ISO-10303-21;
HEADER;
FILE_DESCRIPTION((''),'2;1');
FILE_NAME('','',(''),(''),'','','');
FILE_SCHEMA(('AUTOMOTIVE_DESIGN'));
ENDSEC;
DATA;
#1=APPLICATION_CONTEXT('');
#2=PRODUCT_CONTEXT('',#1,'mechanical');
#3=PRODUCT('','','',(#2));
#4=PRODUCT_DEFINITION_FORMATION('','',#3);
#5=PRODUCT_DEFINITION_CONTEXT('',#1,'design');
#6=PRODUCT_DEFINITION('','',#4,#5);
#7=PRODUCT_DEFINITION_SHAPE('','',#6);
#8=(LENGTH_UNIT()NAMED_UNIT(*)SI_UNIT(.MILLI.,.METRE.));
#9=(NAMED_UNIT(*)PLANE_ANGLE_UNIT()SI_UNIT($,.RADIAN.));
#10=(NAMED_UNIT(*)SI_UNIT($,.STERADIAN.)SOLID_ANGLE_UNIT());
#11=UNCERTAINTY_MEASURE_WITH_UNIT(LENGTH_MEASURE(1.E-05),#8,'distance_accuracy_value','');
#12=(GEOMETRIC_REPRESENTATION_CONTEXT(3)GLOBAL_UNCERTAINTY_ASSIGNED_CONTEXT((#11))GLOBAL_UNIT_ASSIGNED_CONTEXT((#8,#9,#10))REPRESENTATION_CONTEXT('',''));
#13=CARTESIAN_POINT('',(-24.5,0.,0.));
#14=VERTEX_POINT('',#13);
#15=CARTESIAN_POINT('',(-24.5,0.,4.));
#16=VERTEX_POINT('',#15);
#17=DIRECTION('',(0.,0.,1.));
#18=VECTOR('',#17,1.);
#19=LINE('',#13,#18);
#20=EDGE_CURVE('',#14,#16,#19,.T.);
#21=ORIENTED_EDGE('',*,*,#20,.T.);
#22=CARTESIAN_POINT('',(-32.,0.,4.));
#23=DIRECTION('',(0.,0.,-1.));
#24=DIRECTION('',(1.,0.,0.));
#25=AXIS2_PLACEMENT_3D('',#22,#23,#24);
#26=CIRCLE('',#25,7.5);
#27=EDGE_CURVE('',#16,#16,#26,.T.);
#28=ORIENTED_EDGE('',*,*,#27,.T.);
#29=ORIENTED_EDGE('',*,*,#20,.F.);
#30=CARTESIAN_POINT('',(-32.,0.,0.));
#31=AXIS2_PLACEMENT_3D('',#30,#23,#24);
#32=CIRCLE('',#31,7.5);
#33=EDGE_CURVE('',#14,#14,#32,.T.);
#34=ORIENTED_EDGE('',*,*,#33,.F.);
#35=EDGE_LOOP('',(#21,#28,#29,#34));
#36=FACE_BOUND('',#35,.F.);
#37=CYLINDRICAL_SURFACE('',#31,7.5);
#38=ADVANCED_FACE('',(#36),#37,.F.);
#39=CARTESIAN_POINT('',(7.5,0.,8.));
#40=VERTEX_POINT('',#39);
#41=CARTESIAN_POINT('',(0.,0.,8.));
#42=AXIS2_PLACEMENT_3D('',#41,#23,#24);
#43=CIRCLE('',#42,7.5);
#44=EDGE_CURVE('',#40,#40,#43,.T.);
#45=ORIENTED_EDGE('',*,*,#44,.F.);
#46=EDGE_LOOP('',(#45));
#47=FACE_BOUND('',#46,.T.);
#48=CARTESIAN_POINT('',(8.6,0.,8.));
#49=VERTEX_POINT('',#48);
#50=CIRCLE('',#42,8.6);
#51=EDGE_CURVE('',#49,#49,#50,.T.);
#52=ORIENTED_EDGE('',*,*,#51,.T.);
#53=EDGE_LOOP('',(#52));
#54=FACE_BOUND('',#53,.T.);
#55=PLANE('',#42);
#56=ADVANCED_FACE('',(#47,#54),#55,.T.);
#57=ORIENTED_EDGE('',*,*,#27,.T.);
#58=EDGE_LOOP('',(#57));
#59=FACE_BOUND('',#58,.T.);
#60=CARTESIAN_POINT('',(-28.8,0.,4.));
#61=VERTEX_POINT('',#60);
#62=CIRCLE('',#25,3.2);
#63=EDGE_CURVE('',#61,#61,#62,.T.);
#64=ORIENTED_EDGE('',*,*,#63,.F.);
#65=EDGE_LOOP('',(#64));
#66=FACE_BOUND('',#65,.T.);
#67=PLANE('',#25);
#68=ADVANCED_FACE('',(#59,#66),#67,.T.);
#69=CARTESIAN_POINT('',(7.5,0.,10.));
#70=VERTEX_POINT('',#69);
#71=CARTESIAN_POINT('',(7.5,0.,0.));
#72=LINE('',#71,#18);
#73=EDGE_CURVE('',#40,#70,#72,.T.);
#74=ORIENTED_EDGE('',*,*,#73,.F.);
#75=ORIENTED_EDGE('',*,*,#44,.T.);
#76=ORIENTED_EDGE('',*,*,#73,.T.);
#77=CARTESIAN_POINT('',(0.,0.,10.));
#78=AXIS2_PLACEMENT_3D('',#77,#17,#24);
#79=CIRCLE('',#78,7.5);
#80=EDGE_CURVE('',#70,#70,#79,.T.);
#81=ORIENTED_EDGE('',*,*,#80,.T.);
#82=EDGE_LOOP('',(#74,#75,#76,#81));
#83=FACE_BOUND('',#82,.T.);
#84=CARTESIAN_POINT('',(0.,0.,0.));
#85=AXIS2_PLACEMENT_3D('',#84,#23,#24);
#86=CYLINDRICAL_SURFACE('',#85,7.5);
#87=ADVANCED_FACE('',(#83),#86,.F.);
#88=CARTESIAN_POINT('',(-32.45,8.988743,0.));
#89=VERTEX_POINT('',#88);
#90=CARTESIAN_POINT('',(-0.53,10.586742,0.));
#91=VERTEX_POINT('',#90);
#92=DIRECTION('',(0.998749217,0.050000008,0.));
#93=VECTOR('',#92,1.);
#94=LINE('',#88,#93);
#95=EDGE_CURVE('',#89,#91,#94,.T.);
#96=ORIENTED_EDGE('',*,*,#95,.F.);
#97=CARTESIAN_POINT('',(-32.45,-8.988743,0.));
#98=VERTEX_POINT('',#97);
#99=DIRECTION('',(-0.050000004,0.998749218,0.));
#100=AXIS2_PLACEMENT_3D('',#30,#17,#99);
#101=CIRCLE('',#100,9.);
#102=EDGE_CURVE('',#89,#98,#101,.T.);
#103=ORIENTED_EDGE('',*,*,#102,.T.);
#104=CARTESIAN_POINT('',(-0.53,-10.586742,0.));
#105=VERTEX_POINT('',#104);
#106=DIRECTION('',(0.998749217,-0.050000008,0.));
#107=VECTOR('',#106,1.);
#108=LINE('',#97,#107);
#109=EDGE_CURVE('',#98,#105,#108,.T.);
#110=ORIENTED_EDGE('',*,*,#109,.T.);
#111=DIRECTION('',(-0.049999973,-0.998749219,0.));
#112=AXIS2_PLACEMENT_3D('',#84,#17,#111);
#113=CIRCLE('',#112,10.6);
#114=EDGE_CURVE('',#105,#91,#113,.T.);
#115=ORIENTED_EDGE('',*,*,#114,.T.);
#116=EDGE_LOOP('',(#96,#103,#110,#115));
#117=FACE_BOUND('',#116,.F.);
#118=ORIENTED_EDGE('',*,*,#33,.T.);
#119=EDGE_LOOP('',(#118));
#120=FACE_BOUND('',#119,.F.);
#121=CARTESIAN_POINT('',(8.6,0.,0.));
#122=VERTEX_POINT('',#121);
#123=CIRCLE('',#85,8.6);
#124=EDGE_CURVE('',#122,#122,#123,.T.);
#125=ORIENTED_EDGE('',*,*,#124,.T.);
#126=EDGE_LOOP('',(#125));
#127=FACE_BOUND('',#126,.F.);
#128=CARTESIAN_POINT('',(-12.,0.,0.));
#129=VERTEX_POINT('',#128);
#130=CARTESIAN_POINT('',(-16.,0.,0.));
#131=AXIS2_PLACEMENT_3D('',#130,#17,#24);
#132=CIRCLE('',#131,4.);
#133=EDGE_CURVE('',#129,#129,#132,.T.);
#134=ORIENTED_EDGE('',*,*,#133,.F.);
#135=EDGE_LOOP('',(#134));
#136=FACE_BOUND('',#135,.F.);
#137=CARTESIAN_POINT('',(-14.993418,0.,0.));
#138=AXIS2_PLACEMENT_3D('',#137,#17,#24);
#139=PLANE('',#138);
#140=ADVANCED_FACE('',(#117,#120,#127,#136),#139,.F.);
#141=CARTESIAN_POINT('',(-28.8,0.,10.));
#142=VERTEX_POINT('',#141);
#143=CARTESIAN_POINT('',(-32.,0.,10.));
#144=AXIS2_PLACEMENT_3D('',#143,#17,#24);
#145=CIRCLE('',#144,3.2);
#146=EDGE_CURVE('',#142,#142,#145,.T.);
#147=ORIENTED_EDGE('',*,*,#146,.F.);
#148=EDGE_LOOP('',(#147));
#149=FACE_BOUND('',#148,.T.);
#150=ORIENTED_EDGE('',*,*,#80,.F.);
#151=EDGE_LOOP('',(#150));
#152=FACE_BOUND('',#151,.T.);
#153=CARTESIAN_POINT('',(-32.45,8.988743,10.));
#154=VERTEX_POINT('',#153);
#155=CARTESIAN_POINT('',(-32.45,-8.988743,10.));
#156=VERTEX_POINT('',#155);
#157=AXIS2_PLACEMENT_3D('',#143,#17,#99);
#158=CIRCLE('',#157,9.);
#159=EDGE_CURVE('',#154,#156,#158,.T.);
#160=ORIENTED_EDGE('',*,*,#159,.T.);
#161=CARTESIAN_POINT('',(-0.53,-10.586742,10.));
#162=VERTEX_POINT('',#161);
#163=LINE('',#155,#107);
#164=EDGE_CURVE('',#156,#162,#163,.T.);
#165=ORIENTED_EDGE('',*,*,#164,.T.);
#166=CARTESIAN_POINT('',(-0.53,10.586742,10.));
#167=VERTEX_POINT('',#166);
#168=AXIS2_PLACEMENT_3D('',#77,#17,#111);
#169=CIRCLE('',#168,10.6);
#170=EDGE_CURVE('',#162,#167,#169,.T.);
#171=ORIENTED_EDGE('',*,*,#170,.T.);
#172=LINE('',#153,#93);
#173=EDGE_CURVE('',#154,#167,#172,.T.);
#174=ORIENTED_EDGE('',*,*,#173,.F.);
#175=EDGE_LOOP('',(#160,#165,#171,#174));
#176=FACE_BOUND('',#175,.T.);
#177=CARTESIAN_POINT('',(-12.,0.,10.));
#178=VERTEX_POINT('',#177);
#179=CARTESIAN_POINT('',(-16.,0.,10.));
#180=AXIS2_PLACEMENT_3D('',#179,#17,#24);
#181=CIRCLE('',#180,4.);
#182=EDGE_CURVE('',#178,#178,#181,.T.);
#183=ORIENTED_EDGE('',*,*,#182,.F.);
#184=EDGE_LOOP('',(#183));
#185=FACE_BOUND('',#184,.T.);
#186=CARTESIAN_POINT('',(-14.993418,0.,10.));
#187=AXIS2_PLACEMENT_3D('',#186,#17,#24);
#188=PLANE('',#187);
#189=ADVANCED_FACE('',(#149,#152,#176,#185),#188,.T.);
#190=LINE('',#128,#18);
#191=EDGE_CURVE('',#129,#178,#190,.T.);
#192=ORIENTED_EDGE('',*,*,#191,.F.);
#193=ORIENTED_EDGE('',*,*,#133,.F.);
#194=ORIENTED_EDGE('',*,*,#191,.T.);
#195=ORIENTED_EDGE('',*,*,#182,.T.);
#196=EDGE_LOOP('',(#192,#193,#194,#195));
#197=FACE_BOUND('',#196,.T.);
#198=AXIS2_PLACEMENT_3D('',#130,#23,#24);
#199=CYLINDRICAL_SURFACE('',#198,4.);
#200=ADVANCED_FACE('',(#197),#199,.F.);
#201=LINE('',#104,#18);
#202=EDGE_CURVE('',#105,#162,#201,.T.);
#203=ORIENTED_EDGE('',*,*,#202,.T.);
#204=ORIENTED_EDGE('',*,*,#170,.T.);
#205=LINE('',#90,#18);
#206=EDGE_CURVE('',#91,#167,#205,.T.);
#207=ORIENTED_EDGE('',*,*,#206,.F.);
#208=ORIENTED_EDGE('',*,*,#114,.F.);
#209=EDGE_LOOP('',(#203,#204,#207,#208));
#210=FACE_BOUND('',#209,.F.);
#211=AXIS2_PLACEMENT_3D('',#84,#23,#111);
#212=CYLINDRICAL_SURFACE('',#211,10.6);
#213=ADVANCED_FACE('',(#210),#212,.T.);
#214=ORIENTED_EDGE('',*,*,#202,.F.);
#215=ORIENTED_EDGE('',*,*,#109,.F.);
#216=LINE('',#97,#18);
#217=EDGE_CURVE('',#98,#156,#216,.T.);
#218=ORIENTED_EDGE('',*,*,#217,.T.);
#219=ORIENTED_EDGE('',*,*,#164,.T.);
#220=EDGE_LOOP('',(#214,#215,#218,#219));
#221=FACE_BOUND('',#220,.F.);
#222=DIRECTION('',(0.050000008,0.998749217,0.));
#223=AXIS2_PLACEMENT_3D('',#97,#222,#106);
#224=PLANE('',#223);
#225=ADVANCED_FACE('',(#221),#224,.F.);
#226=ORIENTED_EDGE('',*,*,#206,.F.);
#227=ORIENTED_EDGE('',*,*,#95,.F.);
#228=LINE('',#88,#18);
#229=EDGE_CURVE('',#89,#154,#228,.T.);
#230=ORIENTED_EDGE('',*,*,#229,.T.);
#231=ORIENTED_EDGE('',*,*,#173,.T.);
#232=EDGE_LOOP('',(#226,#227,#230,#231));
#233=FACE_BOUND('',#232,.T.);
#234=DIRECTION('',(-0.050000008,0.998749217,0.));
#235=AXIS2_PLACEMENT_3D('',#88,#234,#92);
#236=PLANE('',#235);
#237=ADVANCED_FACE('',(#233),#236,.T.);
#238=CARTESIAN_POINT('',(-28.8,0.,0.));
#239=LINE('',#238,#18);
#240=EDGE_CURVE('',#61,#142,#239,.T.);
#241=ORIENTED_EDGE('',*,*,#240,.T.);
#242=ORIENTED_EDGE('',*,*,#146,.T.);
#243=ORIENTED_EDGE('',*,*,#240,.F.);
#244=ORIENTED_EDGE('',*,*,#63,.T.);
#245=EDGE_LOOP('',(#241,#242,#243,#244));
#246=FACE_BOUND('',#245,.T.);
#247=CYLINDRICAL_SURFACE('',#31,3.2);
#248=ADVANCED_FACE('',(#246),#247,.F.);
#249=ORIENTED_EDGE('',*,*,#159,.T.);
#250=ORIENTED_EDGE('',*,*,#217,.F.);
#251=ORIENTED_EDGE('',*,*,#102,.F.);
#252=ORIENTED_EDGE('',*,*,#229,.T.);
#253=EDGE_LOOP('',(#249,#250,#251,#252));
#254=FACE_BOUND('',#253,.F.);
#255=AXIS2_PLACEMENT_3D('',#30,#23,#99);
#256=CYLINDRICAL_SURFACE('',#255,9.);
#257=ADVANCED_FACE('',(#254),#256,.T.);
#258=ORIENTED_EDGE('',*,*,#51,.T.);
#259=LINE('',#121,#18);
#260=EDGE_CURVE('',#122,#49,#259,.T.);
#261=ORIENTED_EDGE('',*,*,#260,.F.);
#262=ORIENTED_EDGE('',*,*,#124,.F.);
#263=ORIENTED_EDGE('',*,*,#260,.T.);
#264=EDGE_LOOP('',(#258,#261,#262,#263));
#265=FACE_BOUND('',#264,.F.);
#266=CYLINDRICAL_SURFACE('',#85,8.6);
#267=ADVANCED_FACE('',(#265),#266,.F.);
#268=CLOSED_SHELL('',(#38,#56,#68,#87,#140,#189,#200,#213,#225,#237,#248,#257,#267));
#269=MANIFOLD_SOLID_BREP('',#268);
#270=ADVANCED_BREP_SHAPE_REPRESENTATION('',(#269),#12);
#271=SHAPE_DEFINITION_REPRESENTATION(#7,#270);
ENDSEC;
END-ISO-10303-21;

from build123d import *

# Parameters (mm, degrees)
SKETCH_R        = 3.2
SKETCH_R_2      = 7.5
SKETCH_R_3      = 4
PAD_DEPTH       = 10
SKETCH001_R     = 8.6
POCKET_DEPTH    = 8
SKETCH002_R     = 7.5
POCKET001_DEPTH = 4


with BuildPart() as part:
    # Sketch → Pad (new body)
    with BuildSketch(Plane.XY):
        with BuildLine():
            ThreePointArc((-32.45, 8.988743), (-41, 0), (-32.45, -8.988743))
            Line((-32.45, -8.988743), (-0.53, -10.586742))
            ThreePointArc((-0.53, -10.586742), (10.6, 0), (-0.53, 10.586742))
            Line((-32.45, 8.988743), (-0.53, 10.586742))
        make_face()
        with Locations((-32, 0)):
            Circle(SKETCH_R, mode=Mode.SUBTRACT)
        Circle(SKETCH_R_2, mode=Mode.SUBTRACT)
        with Locations((-16, 0)):
            Circle(SKETCH_R_3, mode=Mode.SUBTRACT)
    extrude(amount=PAD_DEPTH)

    # Sketch001 → Pocket (cut)
    with BuildSketch(Plane(origin=(0, 0, 0), x_dir=(1, 0, 0), z_dir=(0, 0, -1))):
        Circle(SKETCH001_R)
    extrude(amount=-POCKET_DEPTH, mode=Mode.SUBTRACT)

    # Sketch002 → Pocket001 (cut)
    with BuildSketch(Plane(origin=(0, 0, 0), x_dir=(1, 0, 0), z_dir=(0, 0, -1))):
        with Locations((-32, 0)):
            Circle(SKETCH002_R)
    extrude(amount=-POCKET001_DEPTH, mode=Mode.SUBTRACT)


solid = part.part
